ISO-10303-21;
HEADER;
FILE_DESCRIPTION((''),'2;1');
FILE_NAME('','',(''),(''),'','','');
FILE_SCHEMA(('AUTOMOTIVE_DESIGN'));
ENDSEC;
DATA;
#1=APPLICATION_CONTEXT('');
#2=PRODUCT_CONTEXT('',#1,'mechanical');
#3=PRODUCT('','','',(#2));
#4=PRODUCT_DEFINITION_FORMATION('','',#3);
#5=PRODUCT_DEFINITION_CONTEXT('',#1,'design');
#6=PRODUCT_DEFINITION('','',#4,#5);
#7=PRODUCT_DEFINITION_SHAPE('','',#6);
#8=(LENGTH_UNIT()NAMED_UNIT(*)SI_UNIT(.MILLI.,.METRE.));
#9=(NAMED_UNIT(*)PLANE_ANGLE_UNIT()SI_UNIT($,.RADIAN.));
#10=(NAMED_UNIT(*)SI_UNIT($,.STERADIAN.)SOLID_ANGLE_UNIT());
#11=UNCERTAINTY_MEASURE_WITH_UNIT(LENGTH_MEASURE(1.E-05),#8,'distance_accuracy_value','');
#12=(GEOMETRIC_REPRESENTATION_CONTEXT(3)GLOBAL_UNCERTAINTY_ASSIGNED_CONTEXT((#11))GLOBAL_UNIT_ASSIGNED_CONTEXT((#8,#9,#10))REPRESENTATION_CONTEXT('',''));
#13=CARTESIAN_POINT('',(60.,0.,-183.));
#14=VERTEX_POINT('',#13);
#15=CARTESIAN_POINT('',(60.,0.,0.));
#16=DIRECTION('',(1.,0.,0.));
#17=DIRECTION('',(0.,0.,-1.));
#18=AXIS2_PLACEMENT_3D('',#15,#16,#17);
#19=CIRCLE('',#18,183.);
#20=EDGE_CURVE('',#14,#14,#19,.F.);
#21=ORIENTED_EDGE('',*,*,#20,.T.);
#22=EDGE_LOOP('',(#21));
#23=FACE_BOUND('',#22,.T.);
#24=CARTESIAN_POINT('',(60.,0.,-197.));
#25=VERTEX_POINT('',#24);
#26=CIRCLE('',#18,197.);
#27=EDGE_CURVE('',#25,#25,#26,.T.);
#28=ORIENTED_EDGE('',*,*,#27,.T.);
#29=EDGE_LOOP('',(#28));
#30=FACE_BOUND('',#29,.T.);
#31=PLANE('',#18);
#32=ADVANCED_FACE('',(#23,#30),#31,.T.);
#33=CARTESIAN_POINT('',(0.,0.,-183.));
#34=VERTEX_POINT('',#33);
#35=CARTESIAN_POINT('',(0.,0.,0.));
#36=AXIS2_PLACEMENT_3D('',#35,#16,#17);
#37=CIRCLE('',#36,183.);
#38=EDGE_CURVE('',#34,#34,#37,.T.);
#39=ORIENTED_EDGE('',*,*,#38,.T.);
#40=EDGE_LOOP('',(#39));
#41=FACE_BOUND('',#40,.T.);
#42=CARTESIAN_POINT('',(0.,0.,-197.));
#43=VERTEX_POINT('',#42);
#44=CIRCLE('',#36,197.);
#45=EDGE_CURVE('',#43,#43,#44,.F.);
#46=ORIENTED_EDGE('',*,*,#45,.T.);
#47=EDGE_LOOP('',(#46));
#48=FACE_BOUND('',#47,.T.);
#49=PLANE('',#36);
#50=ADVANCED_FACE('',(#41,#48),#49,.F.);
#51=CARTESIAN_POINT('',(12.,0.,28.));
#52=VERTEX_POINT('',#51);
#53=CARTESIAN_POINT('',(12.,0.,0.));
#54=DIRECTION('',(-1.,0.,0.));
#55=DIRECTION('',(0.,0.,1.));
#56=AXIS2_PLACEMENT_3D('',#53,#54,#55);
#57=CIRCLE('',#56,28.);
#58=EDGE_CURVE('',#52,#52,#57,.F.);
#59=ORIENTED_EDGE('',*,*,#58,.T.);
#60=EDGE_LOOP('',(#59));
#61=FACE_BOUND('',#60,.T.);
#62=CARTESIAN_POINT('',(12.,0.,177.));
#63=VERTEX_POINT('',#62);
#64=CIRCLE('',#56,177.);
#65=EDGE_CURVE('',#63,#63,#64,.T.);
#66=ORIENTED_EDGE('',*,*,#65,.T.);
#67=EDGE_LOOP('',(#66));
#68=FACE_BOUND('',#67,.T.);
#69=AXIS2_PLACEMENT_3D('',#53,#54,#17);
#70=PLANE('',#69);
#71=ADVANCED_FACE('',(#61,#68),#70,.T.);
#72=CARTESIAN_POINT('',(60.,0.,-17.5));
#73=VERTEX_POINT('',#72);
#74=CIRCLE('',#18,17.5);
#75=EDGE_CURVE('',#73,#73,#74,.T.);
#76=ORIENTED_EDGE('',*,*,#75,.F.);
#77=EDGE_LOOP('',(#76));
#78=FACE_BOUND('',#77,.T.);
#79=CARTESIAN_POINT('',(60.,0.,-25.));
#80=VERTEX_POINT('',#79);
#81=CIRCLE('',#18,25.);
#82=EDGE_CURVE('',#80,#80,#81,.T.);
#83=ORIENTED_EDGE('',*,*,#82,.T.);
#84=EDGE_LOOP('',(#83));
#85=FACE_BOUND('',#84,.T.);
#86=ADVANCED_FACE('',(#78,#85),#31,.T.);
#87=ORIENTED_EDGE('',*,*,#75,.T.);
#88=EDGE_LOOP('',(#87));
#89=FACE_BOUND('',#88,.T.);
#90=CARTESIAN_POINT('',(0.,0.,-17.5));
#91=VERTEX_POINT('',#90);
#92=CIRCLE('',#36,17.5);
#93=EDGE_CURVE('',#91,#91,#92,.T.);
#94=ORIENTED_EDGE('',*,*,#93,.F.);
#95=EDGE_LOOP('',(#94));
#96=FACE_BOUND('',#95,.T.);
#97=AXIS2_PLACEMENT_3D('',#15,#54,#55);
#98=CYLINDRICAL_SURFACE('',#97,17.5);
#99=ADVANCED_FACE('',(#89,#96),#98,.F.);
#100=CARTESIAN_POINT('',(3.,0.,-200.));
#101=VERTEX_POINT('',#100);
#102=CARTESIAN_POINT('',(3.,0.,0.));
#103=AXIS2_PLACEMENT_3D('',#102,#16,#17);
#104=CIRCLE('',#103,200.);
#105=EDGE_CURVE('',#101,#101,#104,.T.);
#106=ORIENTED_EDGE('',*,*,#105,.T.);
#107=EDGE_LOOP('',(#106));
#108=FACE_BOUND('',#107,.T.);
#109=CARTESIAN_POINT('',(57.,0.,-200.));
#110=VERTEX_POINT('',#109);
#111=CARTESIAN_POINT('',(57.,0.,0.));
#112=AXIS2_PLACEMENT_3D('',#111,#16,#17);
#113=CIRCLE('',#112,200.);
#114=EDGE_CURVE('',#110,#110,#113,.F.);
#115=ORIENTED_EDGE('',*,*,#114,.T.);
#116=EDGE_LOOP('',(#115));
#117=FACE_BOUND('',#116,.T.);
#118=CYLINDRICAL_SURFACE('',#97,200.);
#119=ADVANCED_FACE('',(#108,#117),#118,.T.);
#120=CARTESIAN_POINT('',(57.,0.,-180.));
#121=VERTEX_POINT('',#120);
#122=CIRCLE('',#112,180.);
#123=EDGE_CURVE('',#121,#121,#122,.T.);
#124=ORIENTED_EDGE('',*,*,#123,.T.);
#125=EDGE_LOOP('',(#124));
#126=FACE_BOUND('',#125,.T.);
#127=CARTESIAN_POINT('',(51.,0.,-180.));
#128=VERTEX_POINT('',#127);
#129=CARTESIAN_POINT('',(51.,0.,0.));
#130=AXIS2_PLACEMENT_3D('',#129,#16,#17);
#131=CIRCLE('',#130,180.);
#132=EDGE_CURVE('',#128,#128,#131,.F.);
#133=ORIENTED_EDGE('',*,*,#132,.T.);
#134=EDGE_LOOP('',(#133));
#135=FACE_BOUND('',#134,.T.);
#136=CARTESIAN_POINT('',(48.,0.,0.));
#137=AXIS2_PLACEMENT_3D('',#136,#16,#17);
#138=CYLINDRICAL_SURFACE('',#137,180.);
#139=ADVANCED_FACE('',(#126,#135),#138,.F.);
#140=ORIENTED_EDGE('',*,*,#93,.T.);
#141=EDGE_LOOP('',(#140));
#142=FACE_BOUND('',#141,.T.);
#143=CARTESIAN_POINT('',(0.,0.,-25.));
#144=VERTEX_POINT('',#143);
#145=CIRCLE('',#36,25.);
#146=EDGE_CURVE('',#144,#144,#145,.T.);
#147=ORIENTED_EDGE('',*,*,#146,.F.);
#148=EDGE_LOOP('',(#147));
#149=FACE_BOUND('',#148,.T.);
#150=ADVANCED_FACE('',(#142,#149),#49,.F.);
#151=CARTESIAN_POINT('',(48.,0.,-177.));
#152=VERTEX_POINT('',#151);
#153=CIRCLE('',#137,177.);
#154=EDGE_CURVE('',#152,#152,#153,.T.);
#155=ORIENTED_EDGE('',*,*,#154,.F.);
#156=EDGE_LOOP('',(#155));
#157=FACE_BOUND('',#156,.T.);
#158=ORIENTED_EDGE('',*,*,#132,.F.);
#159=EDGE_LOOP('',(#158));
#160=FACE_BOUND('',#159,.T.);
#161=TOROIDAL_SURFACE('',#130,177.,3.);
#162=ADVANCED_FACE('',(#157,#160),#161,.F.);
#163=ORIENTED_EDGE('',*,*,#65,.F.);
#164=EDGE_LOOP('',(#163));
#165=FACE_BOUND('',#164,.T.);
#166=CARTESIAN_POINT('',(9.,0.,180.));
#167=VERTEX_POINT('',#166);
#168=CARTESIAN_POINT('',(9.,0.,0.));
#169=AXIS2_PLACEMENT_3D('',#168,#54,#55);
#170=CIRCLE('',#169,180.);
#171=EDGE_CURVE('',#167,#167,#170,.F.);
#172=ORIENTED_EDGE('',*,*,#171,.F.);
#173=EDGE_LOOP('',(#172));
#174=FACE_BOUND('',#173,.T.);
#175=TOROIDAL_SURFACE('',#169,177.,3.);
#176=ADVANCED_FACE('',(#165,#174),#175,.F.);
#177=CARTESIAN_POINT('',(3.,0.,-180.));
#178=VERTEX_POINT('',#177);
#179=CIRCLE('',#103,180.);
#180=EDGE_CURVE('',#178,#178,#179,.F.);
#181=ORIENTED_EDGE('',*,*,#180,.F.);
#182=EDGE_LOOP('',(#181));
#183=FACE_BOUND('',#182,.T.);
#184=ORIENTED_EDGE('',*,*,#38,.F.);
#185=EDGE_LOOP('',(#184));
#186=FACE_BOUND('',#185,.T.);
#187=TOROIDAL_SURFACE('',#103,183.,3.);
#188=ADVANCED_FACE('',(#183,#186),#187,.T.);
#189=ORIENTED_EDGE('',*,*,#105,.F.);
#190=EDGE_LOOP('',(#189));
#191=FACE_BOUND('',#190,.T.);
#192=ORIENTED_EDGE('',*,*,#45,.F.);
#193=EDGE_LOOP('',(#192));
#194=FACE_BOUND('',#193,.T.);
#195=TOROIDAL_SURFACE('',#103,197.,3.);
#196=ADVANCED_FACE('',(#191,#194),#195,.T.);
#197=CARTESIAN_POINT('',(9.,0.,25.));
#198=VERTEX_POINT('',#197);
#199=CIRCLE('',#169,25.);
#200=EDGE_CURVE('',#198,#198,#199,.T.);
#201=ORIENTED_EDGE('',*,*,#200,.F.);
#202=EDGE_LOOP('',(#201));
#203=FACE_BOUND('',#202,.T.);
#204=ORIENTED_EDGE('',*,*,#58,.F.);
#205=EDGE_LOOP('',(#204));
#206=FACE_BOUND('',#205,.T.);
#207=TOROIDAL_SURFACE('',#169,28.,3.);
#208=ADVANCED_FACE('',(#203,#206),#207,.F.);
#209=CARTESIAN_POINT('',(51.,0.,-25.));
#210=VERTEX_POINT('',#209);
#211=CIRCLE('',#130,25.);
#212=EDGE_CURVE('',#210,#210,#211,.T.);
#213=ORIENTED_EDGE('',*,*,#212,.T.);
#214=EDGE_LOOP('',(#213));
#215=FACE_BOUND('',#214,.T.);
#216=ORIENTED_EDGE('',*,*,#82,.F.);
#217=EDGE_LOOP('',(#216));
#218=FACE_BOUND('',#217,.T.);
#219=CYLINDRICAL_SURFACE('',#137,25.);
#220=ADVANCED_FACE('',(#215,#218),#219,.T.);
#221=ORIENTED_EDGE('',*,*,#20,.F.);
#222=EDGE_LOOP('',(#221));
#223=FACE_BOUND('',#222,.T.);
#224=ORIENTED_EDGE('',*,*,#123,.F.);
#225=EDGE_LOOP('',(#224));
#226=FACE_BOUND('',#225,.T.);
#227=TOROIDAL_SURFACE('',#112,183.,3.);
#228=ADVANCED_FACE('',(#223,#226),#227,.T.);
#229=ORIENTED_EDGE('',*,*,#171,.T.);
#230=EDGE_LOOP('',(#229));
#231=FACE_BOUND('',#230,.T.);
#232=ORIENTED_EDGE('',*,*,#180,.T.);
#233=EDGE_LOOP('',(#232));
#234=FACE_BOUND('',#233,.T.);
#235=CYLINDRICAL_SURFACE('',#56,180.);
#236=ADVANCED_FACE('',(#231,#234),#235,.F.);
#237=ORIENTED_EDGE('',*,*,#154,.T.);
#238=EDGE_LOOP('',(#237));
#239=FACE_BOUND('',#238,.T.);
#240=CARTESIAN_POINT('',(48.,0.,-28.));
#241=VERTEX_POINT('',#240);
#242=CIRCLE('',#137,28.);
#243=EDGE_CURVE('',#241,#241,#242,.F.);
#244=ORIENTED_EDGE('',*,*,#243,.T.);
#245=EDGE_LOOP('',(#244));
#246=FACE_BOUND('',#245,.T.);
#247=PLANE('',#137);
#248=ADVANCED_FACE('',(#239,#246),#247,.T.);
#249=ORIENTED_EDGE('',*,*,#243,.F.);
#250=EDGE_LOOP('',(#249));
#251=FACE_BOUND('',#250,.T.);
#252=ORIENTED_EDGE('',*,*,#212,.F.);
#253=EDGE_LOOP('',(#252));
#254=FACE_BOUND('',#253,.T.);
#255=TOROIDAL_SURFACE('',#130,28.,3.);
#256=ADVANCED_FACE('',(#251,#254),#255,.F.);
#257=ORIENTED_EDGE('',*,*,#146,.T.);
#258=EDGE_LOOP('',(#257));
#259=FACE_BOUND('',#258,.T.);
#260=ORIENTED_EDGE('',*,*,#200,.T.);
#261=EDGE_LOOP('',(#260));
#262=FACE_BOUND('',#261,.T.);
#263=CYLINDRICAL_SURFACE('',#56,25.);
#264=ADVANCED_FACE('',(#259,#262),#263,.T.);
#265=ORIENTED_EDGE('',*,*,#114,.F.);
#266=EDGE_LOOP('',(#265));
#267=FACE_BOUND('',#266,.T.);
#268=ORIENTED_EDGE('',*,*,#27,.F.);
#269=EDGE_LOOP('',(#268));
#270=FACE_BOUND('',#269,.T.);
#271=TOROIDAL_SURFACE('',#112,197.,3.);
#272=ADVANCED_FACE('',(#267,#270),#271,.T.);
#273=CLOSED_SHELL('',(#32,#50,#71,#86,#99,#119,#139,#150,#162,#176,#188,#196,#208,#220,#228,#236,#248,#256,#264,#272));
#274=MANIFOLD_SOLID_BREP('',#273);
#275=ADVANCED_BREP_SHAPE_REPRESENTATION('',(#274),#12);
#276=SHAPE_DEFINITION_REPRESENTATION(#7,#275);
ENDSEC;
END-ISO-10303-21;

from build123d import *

# Parameters (mm, degrees)
SZKIC1_R                    = 200
SZKIC1_R_2                  = 17.5
DODANIE_WYCI_GNI_CIE1_DEPTH = 60
ZAOKR_GLENIE1_R             = 3
SZKIC2_R                    = 180
SZKIC2_R_2                  = 25
WYTNIJ_WYCI_GNI_CIE1_DEPTH  = 12
ZAOKR_GLENIE2_R             = 3
ZAOKR_GLENIE3_R             = 3


with BuildPart() as part:
    # Szkic1 → Dodanie-wyciągnięcie1 (new body)
    with BuildSketch(Plane(origin=(0, 0, 0), x_dir=(0, 0, -1), z_dir=(1, 0, 0))):
        Circle(SZKIC1_R)
        Circle(SZKIC1_R_2, mode=Mode.SUBTRACT)
    extrude(amount=DODANIE_WYCI_GNI_CIE1_DEPTH)

    # Zaokrąglenie1
    zaokr_glenie1_edges = [part.edges().sort_by_distance(p)[0] for p in [
        (0, 0, 200),
        (60, 0, 200),
    ]]
    fillet(zaokr_glenie1_edges, radius=ZAOKR_GLENIE1_R)

    # Szkic2 → Wytnij-wyciągnięcie1 (cut)
    with BuildSketch(Plane(origin=(60, 0, 0), x_dir=(0, 0, -1), z_dir=(1, 0, 0))):
        Circle(SZKIC2_R)
        Circle(SZKIC2_R_2, mode=Mode.SUBTRACT)
    wytnij_wyci_gni_cie1 = extrude(amount=-WYTNIJ_WYCI_GNI_CIE1_DEPTH, mode=Mode.SUBTRACT)

    # Zaokrąglenie2
    zaokr_glenie2_edges = [part.edges().sort_by_distance(p)[0] for p in [
        (48, 0, 180),
        (48, 0, 25),
        (60, 0, 180),
    ]]
    fillet(zaokr_glenie2_edges, radius=ZAOKR_GLENIE2_R)

    # Lustro1: Wytnij-wyciągnięcie1 across plane
    add(wytnij_wyci_gni_cie1.mirror(Plane(origin=(30, 0, 0), x_dir=(0, 0, 1), z_dir=(1, 0, 0))), mode=Mode.SUBTRACT)

    # Zaokrąglenie3
    zaokr_glenie3_edges = [part.edges().sort_by_distance(p)[0] for p in [
        (12, 0, 180),
        (0, 0, 180),
        (12, 0, 25),
    ]]
    fillet(zaokr_glenie3_edges, radius=ZAOKR_GLENIE3_R)


solid = part.part
